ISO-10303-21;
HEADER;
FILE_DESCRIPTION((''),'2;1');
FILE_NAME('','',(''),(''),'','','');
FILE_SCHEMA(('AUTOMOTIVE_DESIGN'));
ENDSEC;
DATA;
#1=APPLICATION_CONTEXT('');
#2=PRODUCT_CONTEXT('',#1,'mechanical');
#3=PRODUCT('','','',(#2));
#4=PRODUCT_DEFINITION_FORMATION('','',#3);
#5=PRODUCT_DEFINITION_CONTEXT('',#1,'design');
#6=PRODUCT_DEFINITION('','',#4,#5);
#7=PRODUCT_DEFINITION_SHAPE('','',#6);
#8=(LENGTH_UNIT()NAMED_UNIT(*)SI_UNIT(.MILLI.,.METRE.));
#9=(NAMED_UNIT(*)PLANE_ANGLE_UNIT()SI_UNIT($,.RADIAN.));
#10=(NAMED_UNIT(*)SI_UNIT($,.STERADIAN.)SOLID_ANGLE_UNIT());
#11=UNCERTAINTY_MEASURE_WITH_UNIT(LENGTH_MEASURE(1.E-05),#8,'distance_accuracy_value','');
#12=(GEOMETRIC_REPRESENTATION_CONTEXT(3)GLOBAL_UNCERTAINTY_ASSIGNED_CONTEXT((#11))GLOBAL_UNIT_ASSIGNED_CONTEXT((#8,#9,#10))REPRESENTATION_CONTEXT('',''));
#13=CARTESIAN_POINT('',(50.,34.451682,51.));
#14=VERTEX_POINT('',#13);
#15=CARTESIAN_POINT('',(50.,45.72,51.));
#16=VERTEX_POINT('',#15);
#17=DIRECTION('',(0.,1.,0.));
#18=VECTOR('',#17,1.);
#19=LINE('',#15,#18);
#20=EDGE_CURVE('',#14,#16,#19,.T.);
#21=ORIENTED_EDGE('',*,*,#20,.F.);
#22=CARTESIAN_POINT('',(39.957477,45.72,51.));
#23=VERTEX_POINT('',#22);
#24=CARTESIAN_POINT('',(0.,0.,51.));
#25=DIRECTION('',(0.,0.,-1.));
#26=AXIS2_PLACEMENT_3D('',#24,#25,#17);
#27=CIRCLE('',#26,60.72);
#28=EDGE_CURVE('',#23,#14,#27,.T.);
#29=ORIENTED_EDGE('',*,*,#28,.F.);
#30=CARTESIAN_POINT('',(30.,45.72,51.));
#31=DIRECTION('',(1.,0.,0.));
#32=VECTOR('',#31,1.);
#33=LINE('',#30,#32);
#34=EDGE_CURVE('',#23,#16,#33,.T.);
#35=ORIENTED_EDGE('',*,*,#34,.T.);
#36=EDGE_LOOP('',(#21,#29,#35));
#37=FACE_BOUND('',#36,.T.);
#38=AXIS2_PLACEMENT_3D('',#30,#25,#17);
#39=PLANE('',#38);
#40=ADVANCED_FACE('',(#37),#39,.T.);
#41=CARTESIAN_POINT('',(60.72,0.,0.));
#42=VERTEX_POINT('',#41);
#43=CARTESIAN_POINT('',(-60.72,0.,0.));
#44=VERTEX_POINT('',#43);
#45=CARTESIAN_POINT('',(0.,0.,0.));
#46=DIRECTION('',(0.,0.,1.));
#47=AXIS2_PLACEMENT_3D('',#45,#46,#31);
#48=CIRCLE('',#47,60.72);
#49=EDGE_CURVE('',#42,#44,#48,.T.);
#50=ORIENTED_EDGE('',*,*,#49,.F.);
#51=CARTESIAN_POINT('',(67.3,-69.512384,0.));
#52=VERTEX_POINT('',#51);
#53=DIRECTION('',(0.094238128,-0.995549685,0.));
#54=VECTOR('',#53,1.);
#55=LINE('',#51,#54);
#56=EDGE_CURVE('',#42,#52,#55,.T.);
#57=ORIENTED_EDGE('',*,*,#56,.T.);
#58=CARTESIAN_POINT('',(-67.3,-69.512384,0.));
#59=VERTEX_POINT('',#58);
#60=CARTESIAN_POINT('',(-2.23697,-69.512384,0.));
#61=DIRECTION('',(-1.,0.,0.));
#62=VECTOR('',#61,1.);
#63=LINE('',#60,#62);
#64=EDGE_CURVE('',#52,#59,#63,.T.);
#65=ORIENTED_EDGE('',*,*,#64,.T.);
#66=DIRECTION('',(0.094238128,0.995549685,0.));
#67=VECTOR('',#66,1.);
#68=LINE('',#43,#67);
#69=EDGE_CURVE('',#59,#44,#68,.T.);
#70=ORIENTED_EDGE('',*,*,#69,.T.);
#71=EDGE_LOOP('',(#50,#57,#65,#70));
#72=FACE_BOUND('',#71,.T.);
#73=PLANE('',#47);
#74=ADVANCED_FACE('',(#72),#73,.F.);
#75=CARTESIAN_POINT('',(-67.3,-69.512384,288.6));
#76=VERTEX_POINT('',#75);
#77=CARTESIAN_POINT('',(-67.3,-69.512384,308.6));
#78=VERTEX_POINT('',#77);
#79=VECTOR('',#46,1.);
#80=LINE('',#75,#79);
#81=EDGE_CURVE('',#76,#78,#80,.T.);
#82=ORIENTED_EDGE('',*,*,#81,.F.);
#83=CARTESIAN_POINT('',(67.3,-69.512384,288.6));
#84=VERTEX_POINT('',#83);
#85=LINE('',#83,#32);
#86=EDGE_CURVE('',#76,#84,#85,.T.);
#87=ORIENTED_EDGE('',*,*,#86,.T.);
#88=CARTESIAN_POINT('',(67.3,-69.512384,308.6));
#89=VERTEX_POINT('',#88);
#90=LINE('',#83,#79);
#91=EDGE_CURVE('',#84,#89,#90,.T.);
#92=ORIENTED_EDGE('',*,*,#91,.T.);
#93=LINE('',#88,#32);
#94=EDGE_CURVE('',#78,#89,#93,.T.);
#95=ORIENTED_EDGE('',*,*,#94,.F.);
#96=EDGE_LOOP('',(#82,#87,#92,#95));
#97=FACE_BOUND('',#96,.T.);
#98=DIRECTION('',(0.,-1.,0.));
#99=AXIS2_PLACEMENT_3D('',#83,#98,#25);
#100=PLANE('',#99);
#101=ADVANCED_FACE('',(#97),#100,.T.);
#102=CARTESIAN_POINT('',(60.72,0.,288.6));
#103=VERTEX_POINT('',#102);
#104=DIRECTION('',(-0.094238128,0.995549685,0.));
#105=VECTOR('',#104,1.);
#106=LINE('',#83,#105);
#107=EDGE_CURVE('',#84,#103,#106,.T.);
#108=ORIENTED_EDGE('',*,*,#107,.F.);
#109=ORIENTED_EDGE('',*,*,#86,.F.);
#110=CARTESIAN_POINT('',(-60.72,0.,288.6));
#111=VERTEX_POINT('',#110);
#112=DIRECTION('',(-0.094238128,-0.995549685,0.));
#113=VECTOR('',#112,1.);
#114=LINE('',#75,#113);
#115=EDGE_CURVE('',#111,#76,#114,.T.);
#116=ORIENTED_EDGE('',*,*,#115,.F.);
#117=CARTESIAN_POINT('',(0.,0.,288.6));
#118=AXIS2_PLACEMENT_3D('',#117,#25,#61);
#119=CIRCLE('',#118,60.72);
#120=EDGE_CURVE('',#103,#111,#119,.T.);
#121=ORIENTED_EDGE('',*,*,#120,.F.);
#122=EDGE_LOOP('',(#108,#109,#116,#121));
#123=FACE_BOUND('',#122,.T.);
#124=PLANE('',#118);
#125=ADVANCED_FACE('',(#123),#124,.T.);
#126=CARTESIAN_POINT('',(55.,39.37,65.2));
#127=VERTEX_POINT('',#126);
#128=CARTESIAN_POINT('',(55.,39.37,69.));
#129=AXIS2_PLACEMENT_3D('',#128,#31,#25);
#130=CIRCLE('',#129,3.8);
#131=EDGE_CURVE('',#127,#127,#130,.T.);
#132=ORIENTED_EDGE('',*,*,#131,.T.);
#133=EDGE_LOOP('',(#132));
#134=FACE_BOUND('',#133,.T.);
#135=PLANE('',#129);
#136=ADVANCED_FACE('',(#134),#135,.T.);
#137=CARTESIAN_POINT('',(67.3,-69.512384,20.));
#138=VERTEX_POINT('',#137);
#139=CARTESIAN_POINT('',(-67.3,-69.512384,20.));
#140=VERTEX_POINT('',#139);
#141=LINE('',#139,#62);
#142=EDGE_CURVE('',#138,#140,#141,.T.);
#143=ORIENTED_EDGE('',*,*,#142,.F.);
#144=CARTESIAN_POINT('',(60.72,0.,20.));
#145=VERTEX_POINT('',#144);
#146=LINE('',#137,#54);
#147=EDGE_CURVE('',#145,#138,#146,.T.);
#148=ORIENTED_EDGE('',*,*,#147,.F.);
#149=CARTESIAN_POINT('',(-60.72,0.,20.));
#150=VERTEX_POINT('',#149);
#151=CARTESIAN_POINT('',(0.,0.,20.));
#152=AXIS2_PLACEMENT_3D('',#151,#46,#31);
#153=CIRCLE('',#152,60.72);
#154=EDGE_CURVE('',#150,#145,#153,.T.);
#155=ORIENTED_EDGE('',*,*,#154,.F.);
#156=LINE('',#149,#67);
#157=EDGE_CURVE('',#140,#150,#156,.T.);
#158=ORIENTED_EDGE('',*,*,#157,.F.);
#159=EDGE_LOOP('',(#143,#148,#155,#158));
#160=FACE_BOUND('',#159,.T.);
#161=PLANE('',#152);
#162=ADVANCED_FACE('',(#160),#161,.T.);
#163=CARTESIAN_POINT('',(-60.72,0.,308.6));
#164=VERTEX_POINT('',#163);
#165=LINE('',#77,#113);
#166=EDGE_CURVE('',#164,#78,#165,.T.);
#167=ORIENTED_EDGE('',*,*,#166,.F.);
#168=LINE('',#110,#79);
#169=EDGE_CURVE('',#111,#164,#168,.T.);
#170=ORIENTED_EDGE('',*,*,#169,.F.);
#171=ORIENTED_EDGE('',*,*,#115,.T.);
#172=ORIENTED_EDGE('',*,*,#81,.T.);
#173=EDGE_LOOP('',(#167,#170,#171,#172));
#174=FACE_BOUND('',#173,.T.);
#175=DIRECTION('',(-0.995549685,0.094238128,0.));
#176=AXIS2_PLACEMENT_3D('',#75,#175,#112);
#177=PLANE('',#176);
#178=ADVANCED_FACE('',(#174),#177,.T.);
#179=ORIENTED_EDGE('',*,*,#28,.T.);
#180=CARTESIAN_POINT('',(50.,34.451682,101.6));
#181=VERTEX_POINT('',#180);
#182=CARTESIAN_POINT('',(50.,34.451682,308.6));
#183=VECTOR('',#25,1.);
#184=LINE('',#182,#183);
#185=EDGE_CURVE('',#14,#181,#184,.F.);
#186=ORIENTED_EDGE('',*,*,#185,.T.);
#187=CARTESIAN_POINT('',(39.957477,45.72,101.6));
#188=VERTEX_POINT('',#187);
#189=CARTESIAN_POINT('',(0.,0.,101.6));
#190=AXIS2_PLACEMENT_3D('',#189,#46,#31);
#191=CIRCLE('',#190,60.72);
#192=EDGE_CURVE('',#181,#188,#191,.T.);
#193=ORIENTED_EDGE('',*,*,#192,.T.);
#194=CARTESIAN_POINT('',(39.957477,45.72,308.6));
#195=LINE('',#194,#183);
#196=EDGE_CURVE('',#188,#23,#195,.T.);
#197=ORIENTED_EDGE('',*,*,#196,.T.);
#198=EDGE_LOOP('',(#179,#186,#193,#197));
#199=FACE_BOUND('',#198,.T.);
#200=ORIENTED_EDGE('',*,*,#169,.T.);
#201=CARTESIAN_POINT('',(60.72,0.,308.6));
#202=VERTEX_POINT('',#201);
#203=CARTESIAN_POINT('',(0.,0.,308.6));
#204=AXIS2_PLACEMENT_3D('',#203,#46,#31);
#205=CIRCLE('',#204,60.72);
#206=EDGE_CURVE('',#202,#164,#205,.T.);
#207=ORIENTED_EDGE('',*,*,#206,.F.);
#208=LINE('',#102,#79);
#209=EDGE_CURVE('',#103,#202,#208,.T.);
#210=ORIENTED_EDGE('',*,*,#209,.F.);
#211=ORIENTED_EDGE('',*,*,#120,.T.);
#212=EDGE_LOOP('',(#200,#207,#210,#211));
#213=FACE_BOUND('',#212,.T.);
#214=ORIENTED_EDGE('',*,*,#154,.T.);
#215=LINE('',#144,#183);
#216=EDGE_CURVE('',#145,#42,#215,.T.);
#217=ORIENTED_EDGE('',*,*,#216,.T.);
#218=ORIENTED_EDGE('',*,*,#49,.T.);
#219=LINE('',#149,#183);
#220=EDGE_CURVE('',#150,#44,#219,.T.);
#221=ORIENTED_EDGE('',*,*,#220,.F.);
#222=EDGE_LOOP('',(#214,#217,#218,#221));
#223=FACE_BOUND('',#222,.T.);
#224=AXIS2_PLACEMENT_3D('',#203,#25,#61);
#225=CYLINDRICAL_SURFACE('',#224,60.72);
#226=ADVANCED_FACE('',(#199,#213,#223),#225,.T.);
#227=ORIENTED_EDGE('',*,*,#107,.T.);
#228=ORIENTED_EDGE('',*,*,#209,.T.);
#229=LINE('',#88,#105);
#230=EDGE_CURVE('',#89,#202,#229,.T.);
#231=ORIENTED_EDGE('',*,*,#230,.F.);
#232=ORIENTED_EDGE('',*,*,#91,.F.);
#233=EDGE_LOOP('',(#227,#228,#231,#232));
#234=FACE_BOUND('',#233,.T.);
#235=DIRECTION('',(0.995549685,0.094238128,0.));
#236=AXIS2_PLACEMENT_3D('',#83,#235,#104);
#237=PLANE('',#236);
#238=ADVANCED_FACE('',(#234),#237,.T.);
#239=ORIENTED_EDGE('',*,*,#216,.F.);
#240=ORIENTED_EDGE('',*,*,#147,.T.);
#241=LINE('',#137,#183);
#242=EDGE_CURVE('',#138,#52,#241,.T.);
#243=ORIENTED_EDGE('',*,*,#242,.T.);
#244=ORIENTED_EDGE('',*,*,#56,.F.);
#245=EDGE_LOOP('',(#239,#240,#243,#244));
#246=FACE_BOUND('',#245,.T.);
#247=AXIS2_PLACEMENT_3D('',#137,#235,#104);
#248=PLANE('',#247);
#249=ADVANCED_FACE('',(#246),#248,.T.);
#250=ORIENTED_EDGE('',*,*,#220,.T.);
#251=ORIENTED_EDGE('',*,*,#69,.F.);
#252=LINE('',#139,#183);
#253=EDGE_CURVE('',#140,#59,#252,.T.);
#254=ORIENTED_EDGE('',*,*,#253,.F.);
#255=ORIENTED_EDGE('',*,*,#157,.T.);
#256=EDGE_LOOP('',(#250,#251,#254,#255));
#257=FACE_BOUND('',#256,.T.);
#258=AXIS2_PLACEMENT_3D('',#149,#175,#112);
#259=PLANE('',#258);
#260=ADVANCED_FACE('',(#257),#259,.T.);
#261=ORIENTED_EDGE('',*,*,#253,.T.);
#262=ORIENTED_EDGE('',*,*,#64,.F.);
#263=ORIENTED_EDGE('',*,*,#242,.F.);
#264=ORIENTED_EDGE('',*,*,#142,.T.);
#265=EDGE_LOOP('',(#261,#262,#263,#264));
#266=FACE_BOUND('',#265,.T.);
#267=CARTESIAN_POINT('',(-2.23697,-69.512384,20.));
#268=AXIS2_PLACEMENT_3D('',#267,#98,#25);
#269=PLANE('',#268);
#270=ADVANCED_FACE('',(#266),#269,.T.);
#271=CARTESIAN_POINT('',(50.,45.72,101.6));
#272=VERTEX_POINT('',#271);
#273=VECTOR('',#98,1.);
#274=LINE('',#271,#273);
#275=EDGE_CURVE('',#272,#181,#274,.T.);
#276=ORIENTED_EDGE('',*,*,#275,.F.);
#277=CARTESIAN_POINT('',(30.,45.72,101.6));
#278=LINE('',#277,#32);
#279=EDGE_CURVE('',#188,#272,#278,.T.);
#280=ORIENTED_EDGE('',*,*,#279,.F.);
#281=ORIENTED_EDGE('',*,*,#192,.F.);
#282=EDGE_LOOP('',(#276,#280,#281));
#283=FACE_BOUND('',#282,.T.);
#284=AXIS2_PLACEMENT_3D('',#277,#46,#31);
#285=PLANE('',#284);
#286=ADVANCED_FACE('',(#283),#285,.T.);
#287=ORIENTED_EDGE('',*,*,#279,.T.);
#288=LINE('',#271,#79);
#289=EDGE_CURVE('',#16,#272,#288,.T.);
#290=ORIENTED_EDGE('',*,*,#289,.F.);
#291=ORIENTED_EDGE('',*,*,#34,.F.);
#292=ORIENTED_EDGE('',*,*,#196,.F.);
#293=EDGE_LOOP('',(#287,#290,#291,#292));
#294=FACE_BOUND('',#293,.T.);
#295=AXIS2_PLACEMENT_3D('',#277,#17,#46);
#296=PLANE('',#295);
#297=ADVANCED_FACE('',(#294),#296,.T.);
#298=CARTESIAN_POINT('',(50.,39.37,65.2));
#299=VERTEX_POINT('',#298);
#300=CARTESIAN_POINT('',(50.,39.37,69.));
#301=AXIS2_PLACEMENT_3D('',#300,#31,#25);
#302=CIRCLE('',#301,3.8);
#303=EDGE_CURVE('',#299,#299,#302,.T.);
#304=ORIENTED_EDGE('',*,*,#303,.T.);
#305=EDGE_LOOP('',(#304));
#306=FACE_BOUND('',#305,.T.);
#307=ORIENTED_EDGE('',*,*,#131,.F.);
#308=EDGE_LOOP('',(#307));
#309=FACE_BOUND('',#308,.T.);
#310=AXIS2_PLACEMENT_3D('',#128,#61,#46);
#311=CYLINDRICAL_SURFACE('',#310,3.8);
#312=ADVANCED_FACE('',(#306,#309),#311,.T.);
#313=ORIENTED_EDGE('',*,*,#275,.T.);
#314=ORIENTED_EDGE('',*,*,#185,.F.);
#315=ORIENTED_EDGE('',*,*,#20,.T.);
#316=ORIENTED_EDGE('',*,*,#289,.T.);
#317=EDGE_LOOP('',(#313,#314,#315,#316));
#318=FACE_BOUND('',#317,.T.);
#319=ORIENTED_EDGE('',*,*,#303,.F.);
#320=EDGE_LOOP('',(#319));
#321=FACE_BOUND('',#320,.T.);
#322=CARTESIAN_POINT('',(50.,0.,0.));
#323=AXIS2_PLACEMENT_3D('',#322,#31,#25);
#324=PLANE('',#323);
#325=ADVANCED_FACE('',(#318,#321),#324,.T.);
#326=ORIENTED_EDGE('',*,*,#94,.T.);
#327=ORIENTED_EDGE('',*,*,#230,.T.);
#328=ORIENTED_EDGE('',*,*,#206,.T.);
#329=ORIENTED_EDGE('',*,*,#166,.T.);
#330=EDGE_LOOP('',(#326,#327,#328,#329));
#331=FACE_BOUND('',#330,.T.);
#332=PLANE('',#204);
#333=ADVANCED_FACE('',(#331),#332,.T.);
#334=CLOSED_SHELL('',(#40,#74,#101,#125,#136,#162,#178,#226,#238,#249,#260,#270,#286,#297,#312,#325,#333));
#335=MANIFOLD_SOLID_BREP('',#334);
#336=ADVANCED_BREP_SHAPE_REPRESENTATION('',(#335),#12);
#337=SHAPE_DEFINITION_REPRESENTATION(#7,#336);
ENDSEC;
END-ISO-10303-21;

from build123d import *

# Parameters (mm, degrees)
SKETCH1_R           = 60.72
BOSS_EXTRUDE1_DEPTH = 308.6
BOSS_EXTRUDE2_DEPTH = 20
BOSS_EXTRUDE3_DEPTH = 20
SKETCH4_W           = 50.6
SKETCH4_H           = 12.7
BOSS_EXTRUDE4_DEPTH = 20
SKETCH5_R           = 3.8
BOSS_EXTRUDE5_DEPTH = 5


with BuildPart() as part:
    # Sketch1 → Boss-Extrude1 (new body)
    with BuildSketch(Plane.XY):
        Circle(SKETCH1_R)
    extrude(amount=BOSS_EXTRUDE1_DEPTH)

    # Sketch2 → Boss-Extrude2 (add)
    with BuildSketch(Plane.XY.offset(308.6)):
        Polygon((67.3, -69.512383737), (-67.3, -69.512383737), (-60.72, 0), (60.72, 0), align=None)
    extrude(amount=-BOSS_EXTRUDE2_DEPTH)

    # Sketch3 → Boss-Extrude3 (add)
    with BuildSketch(Plane(origin=(0, 0, 0), x_dir=(-1, 0, 0), z_dir=(0, 0, -1))):
        Polygon((2.236970423, -69.512383737), (-67.3, -69.512383737), (-60.72, 0), (60.72, 0), (67.3, -69.512383737), align=None)
    extrude(amount=-BOSS_EXTRUDE3_DEPTH)

    # Sketch4 → Boss-Extrude4 (add)
    with BuildSketch(Plane(origin=(50, 0, 0), x_dir=(0, 0, -1), z_dir=(1, 0, 0))):
        with Locations((-76.3, 39.37)):
            Rectangle(SKETCH4_W, SKETCH4_H)
    extrude(amount=-BOSS_EXTRUDE4_DEPTH)

    # Sketch5 → Boss-Extrude5 (add)
    with BuildSketch(Plane(origin=(50, 0, 0), x_dir=(0, 0, -1), z_dir=(1, 0, 0))):
        with Locations((-69, 39.37)):
            Circle(SKETCH5_R)
    extrude(amount=BOSS_EXTRUDE5_DEPTH)


solid = part.part
